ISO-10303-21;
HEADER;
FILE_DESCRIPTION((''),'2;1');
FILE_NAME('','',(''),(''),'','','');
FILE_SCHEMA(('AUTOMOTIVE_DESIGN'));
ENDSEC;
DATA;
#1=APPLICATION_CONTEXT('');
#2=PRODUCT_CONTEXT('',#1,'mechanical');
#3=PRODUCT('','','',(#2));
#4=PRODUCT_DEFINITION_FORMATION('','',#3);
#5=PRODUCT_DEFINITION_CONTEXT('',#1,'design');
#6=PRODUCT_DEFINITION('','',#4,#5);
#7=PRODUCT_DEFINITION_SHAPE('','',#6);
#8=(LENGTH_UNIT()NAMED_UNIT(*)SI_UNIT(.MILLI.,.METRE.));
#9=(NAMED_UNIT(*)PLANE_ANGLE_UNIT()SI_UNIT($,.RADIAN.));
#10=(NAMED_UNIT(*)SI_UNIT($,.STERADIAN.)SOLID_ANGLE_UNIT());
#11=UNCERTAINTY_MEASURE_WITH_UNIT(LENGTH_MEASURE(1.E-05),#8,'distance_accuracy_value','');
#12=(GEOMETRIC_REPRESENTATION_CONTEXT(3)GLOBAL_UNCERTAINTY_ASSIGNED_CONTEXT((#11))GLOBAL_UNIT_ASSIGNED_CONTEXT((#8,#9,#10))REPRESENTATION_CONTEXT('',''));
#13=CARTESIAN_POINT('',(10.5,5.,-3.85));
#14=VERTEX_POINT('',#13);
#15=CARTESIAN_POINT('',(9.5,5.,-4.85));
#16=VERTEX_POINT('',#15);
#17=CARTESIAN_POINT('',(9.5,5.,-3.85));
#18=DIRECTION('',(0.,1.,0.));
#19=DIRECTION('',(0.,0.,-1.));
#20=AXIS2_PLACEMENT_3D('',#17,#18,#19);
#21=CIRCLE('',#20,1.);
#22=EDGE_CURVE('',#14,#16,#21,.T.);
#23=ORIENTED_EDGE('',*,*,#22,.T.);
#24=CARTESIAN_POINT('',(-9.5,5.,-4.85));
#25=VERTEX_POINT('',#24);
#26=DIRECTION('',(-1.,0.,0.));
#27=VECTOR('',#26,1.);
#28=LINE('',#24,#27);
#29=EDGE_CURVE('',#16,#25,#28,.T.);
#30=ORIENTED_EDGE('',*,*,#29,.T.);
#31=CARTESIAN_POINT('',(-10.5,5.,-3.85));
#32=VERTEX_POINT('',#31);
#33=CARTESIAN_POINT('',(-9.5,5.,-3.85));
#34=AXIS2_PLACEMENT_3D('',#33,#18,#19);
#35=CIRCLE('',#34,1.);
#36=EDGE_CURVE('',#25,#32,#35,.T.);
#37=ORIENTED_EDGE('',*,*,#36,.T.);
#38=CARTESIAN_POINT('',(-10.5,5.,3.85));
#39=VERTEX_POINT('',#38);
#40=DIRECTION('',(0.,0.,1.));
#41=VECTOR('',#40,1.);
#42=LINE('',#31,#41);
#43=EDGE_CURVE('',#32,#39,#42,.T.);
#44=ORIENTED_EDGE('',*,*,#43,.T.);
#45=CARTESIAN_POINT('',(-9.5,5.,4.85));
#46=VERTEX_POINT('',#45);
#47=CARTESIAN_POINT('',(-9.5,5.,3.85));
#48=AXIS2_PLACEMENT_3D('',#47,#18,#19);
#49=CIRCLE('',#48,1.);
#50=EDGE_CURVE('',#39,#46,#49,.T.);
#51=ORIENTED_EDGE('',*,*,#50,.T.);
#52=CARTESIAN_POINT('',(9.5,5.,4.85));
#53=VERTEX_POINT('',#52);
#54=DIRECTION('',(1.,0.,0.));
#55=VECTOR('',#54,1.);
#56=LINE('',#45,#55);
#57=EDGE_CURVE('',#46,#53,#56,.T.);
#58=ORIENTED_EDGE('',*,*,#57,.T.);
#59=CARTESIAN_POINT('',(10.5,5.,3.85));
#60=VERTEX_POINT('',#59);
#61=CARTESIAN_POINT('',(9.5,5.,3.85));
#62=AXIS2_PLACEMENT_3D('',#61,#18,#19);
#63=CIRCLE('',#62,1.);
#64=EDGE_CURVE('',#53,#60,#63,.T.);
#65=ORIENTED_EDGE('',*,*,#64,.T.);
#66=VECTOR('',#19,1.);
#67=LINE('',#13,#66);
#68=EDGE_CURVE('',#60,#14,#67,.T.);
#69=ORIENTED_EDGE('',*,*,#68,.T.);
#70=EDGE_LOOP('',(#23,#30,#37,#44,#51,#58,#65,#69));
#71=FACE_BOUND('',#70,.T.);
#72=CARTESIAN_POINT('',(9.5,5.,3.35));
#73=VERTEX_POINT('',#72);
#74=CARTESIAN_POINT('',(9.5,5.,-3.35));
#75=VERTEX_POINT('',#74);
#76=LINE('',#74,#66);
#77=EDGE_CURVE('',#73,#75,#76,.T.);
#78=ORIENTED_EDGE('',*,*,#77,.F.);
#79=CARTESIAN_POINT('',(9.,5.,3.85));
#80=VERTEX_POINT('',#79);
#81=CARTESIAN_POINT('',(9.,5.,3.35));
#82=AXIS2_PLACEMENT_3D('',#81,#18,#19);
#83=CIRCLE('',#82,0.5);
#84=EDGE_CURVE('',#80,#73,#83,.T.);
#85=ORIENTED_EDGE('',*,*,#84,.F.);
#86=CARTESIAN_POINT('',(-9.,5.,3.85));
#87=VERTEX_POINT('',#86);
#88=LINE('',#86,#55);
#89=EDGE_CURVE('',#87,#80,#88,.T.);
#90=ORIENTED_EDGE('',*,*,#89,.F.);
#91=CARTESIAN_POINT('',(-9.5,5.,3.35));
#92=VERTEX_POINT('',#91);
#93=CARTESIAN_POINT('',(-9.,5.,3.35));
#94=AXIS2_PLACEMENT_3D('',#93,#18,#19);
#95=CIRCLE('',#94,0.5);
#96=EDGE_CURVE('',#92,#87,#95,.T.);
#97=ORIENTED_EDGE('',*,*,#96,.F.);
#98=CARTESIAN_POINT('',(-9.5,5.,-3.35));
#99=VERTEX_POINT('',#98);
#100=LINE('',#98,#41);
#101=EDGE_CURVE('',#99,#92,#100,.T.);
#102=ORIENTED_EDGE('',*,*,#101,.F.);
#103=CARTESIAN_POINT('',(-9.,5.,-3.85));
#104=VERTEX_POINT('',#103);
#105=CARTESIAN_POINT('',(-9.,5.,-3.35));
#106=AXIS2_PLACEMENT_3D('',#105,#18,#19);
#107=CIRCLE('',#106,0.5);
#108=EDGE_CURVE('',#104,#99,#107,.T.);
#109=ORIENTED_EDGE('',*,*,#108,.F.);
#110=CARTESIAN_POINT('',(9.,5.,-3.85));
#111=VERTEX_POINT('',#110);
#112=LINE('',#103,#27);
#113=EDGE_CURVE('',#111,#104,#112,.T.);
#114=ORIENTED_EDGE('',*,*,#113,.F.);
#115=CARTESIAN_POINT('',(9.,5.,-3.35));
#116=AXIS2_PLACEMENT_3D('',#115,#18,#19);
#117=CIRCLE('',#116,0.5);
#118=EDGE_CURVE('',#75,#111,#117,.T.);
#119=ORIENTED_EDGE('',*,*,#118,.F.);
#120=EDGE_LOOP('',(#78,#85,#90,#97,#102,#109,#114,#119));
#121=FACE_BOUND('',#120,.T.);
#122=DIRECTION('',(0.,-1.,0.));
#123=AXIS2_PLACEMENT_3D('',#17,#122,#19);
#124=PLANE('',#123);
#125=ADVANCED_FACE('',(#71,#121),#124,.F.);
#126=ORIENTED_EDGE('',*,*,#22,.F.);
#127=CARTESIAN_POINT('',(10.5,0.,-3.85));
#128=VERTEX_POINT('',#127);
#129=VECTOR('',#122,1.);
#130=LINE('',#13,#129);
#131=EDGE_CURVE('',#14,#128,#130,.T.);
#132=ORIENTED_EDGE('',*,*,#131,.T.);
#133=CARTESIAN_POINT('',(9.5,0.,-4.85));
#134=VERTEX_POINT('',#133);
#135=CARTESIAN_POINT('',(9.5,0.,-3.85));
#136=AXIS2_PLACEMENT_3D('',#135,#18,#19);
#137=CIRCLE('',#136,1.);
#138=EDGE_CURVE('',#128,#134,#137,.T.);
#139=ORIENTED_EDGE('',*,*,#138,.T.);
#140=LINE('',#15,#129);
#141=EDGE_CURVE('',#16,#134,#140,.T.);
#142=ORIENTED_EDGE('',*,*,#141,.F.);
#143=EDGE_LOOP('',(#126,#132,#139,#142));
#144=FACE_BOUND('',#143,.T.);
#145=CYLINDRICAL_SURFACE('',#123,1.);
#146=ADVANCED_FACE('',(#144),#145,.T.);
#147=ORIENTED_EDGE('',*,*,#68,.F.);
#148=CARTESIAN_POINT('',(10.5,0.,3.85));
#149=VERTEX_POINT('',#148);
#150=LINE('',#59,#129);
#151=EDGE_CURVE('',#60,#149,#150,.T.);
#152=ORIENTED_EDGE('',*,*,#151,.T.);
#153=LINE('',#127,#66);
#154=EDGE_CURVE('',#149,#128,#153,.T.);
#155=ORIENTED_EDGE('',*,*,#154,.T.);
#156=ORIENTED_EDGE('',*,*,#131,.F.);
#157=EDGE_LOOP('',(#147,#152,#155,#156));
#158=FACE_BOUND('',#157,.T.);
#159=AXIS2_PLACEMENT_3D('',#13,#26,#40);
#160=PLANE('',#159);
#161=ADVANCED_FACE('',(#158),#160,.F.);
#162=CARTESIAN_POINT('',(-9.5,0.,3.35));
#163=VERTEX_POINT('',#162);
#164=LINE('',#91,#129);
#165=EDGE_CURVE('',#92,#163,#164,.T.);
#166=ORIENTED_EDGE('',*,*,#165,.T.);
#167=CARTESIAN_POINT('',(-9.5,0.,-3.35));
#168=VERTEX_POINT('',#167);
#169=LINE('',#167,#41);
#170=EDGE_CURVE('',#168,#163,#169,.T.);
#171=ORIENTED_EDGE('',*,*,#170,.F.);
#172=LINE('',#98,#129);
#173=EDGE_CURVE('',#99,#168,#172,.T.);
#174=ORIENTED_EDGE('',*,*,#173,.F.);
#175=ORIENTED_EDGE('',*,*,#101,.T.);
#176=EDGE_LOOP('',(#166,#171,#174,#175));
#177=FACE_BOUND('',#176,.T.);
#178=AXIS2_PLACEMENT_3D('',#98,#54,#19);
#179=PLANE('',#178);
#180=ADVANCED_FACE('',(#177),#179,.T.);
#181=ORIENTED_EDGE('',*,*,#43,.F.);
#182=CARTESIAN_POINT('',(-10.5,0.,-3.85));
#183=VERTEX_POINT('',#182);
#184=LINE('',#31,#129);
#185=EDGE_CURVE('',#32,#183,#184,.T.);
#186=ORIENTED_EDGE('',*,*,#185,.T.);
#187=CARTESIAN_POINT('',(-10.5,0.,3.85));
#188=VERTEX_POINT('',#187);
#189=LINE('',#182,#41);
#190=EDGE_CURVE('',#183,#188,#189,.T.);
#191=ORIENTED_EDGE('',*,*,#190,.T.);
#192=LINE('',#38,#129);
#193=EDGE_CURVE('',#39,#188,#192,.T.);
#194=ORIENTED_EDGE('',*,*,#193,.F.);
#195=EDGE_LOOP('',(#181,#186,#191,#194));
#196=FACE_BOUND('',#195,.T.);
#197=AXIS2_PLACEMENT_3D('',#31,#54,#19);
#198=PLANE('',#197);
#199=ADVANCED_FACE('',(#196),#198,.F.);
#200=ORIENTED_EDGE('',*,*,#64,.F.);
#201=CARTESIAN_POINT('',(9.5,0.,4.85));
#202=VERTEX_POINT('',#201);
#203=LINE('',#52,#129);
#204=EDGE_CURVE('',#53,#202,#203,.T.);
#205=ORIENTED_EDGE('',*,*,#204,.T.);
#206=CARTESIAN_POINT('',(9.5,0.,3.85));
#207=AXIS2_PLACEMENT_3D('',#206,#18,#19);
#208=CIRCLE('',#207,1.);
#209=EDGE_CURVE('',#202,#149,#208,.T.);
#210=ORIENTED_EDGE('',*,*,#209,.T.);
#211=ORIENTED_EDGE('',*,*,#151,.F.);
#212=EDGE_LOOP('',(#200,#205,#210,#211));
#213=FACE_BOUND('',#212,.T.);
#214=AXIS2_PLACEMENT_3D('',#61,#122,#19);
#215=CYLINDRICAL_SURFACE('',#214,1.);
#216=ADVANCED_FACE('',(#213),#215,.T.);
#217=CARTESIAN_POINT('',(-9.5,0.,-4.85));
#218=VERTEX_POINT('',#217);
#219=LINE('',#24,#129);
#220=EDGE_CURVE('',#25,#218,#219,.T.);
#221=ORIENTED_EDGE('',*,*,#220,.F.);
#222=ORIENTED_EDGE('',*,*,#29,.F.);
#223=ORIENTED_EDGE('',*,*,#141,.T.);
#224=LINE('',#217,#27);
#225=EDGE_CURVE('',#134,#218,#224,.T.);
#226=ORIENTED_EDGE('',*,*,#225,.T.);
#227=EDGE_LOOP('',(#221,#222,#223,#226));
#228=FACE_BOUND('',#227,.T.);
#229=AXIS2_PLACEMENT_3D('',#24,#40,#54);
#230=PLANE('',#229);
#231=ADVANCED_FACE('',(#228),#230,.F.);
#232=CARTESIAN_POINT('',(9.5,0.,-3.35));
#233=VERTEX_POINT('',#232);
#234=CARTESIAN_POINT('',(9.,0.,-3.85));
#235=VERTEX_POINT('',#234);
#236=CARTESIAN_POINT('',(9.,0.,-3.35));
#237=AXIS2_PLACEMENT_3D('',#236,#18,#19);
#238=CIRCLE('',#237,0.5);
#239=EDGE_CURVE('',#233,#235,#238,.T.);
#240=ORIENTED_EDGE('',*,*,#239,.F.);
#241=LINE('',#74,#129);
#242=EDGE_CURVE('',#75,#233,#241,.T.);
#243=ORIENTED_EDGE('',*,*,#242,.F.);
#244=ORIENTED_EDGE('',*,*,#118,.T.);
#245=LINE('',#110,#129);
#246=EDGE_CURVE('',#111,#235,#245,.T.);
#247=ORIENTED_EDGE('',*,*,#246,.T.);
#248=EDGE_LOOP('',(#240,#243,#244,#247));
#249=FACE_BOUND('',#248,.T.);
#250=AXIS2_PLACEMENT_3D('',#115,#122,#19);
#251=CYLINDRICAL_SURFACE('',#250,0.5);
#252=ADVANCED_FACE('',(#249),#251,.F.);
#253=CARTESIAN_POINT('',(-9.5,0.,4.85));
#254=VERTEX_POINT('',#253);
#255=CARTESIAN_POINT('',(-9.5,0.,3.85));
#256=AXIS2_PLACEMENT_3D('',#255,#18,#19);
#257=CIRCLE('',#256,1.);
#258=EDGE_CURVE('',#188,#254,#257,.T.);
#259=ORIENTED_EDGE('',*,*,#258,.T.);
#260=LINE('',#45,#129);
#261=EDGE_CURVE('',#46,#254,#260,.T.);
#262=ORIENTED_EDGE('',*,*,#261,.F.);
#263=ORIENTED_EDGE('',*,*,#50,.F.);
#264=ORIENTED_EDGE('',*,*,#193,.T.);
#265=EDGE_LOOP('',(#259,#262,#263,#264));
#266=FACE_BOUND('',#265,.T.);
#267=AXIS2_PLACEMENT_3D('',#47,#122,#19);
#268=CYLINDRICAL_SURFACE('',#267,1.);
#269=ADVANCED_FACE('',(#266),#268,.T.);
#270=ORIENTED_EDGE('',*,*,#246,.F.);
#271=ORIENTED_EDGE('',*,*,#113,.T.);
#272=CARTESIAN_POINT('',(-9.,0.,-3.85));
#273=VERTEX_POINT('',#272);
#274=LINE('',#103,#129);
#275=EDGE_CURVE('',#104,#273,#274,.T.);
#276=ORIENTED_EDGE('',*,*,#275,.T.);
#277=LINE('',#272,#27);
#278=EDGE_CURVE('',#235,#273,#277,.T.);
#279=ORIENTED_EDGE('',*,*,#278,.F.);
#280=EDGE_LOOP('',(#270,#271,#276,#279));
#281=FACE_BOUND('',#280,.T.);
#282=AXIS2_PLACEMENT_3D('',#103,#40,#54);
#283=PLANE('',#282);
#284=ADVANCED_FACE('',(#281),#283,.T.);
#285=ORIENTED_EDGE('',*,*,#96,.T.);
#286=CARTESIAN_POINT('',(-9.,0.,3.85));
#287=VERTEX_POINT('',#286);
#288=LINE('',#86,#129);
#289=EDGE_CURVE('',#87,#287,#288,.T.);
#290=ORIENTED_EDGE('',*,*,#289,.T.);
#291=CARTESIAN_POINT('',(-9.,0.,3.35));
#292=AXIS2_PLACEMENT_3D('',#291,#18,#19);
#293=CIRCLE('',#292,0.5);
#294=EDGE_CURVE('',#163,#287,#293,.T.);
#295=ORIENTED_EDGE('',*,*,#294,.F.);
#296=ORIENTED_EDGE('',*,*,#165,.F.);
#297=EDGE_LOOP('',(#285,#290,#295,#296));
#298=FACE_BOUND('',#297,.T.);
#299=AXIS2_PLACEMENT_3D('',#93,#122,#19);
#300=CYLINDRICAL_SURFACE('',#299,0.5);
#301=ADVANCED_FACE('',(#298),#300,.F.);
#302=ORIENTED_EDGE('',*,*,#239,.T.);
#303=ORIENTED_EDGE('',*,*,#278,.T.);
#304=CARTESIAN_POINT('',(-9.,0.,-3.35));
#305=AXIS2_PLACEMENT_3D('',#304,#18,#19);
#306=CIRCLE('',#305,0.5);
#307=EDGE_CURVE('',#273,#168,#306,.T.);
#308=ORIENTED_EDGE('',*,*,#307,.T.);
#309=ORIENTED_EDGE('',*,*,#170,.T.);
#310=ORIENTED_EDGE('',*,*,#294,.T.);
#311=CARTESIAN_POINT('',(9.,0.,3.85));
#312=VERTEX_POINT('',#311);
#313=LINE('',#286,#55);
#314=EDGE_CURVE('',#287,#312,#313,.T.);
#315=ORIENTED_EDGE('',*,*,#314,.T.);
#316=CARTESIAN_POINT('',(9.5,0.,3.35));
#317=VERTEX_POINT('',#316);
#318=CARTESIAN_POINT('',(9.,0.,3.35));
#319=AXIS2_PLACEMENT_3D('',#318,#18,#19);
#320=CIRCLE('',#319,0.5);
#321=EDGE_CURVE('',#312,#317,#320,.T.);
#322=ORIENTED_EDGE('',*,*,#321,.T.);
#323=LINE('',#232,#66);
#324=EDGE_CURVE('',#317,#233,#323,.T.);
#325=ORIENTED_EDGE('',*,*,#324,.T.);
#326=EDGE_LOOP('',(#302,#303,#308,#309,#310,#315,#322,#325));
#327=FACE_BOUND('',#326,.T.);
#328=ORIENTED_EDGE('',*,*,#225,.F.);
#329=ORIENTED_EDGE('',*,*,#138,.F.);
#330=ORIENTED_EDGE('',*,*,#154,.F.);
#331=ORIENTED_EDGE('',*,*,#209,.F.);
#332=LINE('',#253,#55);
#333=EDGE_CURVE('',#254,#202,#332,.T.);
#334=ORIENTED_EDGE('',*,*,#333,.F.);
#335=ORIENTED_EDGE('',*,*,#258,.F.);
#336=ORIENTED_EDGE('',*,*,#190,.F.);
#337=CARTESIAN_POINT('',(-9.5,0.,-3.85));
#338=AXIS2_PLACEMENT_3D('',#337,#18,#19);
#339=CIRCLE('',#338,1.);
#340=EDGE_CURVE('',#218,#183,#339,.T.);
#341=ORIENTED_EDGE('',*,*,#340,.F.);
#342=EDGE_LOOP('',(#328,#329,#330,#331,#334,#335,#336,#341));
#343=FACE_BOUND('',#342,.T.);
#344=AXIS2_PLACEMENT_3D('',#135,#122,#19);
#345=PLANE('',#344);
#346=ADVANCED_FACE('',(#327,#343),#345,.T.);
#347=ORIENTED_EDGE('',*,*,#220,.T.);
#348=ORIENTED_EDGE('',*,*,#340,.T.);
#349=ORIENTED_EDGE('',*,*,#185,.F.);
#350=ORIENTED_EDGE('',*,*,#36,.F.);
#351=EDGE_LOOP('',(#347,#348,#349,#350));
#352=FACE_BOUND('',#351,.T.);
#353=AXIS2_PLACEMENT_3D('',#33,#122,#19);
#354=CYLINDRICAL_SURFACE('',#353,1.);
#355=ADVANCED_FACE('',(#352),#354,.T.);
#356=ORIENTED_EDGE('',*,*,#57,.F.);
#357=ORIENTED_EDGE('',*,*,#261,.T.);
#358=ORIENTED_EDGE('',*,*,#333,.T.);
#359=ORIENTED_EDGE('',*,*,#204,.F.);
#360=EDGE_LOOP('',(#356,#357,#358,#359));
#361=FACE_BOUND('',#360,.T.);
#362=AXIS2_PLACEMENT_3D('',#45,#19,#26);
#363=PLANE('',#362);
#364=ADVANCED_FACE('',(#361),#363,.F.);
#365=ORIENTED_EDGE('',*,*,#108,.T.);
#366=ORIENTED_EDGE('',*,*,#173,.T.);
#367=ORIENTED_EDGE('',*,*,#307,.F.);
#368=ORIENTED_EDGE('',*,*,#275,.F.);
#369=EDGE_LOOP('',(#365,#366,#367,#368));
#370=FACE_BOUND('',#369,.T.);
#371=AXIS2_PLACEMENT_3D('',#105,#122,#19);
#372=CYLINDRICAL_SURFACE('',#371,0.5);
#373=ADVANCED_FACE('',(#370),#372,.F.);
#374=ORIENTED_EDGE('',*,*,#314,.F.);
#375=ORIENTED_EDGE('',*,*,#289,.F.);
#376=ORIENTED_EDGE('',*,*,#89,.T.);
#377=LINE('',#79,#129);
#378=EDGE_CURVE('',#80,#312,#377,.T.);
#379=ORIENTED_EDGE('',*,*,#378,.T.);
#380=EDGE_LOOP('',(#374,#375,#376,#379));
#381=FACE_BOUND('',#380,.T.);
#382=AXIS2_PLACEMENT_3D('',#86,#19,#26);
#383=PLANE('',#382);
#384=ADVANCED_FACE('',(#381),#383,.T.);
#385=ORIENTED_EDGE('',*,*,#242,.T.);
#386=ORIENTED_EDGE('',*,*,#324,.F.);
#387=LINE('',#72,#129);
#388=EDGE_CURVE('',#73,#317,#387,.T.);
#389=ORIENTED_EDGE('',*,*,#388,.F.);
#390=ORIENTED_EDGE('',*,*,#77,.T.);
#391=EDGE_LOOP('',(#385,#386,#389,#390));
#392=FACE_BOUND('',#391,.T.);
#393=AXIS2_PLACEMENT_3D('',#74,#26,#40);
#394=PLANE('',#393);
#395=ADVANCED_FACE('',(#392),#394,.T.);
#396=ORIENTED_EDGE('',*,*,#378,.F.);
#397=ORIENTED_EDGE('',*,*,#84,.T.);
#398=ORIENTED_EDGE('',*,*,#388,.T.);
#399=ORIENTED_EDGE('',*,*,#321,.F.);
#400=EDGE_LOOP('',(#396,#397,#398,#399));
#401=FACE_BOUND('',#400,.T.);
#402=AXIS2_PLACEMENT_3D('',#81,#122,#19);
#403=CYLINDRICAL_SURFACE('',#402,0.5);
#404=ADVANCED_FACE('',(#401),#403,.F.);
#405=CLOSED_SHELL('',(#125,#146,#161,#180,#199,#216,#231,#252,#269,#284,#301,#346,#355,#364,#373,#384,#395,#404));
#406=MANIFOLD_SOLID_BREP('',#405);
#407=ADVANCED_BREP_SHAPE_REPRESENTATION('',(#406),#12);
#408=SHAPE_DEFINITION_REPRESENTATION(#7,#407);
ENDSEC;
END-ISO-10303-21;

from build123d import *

# Parameters (mm, degrees)
EXTRUDE_1_DEPTH = 5


with BuildPart() as part:
    # Эскиз1 → Бобышка-Вытянуть1 (new body)
    with BuildSketch(Plane(origin=(0, 0, 0), x_dir=(1, 0, 0), z_dir=(0, 1, 0))):
        with BuildLine():
            Line((-10.5, 3.85), (-10.5, -3.85))
            ThreePointArc((-10.5, -3.85), (-10.207106781, -4.557106781), (-9.5, -4.85))
            Line((-9.5, -4.85), (9.5, -4.85))
            ThreePointArc((9.5, -4.85), (10.207106781, -4.557106781), (10.5, -3.85))
            Line((10.5, -3.85), (10.5, 3.85))
            ThreePointArc((10.5, 3.85), (10.207106781, 4.557106781), (9.5, 4.85))
            Line((9.5, 4.85), (-9.5, 4.85))
            ThreePointArc((-9.5, 4.85), (-10.207106781, 4.557106781), (-10.5, 3.85))
        make_face()
        with BuildLine():
            Line((-9, 3.85), (9, 3.85))
            ThreePointArc((9, 3.85), (9.353553391, 3.703553391), (9.5, 3.35))
            Line((9.5, 3.35), (9.5, -3.35))
            ThreePointArc((9.5, -3.35), (9.353553391, -3.703553391), (9, -3.85))
            Line((9, -3.85), (-9, -3.85))
            ThreePointArc((-9, -3.85), (-9.353553391, -3.703553391), (-9.5, -3.35))
            Line((-9.5, -3.35), (-9.5, 3.35))
            ThreePointArc((-9.5, 3.35), (-9.353553391, 3.703553391), (-9, 3.85))
        make_face(mode=Mode.SUBTRACT)
    extrude(amount=EXTRUDE_1_DEPTH)


solid = part.part
